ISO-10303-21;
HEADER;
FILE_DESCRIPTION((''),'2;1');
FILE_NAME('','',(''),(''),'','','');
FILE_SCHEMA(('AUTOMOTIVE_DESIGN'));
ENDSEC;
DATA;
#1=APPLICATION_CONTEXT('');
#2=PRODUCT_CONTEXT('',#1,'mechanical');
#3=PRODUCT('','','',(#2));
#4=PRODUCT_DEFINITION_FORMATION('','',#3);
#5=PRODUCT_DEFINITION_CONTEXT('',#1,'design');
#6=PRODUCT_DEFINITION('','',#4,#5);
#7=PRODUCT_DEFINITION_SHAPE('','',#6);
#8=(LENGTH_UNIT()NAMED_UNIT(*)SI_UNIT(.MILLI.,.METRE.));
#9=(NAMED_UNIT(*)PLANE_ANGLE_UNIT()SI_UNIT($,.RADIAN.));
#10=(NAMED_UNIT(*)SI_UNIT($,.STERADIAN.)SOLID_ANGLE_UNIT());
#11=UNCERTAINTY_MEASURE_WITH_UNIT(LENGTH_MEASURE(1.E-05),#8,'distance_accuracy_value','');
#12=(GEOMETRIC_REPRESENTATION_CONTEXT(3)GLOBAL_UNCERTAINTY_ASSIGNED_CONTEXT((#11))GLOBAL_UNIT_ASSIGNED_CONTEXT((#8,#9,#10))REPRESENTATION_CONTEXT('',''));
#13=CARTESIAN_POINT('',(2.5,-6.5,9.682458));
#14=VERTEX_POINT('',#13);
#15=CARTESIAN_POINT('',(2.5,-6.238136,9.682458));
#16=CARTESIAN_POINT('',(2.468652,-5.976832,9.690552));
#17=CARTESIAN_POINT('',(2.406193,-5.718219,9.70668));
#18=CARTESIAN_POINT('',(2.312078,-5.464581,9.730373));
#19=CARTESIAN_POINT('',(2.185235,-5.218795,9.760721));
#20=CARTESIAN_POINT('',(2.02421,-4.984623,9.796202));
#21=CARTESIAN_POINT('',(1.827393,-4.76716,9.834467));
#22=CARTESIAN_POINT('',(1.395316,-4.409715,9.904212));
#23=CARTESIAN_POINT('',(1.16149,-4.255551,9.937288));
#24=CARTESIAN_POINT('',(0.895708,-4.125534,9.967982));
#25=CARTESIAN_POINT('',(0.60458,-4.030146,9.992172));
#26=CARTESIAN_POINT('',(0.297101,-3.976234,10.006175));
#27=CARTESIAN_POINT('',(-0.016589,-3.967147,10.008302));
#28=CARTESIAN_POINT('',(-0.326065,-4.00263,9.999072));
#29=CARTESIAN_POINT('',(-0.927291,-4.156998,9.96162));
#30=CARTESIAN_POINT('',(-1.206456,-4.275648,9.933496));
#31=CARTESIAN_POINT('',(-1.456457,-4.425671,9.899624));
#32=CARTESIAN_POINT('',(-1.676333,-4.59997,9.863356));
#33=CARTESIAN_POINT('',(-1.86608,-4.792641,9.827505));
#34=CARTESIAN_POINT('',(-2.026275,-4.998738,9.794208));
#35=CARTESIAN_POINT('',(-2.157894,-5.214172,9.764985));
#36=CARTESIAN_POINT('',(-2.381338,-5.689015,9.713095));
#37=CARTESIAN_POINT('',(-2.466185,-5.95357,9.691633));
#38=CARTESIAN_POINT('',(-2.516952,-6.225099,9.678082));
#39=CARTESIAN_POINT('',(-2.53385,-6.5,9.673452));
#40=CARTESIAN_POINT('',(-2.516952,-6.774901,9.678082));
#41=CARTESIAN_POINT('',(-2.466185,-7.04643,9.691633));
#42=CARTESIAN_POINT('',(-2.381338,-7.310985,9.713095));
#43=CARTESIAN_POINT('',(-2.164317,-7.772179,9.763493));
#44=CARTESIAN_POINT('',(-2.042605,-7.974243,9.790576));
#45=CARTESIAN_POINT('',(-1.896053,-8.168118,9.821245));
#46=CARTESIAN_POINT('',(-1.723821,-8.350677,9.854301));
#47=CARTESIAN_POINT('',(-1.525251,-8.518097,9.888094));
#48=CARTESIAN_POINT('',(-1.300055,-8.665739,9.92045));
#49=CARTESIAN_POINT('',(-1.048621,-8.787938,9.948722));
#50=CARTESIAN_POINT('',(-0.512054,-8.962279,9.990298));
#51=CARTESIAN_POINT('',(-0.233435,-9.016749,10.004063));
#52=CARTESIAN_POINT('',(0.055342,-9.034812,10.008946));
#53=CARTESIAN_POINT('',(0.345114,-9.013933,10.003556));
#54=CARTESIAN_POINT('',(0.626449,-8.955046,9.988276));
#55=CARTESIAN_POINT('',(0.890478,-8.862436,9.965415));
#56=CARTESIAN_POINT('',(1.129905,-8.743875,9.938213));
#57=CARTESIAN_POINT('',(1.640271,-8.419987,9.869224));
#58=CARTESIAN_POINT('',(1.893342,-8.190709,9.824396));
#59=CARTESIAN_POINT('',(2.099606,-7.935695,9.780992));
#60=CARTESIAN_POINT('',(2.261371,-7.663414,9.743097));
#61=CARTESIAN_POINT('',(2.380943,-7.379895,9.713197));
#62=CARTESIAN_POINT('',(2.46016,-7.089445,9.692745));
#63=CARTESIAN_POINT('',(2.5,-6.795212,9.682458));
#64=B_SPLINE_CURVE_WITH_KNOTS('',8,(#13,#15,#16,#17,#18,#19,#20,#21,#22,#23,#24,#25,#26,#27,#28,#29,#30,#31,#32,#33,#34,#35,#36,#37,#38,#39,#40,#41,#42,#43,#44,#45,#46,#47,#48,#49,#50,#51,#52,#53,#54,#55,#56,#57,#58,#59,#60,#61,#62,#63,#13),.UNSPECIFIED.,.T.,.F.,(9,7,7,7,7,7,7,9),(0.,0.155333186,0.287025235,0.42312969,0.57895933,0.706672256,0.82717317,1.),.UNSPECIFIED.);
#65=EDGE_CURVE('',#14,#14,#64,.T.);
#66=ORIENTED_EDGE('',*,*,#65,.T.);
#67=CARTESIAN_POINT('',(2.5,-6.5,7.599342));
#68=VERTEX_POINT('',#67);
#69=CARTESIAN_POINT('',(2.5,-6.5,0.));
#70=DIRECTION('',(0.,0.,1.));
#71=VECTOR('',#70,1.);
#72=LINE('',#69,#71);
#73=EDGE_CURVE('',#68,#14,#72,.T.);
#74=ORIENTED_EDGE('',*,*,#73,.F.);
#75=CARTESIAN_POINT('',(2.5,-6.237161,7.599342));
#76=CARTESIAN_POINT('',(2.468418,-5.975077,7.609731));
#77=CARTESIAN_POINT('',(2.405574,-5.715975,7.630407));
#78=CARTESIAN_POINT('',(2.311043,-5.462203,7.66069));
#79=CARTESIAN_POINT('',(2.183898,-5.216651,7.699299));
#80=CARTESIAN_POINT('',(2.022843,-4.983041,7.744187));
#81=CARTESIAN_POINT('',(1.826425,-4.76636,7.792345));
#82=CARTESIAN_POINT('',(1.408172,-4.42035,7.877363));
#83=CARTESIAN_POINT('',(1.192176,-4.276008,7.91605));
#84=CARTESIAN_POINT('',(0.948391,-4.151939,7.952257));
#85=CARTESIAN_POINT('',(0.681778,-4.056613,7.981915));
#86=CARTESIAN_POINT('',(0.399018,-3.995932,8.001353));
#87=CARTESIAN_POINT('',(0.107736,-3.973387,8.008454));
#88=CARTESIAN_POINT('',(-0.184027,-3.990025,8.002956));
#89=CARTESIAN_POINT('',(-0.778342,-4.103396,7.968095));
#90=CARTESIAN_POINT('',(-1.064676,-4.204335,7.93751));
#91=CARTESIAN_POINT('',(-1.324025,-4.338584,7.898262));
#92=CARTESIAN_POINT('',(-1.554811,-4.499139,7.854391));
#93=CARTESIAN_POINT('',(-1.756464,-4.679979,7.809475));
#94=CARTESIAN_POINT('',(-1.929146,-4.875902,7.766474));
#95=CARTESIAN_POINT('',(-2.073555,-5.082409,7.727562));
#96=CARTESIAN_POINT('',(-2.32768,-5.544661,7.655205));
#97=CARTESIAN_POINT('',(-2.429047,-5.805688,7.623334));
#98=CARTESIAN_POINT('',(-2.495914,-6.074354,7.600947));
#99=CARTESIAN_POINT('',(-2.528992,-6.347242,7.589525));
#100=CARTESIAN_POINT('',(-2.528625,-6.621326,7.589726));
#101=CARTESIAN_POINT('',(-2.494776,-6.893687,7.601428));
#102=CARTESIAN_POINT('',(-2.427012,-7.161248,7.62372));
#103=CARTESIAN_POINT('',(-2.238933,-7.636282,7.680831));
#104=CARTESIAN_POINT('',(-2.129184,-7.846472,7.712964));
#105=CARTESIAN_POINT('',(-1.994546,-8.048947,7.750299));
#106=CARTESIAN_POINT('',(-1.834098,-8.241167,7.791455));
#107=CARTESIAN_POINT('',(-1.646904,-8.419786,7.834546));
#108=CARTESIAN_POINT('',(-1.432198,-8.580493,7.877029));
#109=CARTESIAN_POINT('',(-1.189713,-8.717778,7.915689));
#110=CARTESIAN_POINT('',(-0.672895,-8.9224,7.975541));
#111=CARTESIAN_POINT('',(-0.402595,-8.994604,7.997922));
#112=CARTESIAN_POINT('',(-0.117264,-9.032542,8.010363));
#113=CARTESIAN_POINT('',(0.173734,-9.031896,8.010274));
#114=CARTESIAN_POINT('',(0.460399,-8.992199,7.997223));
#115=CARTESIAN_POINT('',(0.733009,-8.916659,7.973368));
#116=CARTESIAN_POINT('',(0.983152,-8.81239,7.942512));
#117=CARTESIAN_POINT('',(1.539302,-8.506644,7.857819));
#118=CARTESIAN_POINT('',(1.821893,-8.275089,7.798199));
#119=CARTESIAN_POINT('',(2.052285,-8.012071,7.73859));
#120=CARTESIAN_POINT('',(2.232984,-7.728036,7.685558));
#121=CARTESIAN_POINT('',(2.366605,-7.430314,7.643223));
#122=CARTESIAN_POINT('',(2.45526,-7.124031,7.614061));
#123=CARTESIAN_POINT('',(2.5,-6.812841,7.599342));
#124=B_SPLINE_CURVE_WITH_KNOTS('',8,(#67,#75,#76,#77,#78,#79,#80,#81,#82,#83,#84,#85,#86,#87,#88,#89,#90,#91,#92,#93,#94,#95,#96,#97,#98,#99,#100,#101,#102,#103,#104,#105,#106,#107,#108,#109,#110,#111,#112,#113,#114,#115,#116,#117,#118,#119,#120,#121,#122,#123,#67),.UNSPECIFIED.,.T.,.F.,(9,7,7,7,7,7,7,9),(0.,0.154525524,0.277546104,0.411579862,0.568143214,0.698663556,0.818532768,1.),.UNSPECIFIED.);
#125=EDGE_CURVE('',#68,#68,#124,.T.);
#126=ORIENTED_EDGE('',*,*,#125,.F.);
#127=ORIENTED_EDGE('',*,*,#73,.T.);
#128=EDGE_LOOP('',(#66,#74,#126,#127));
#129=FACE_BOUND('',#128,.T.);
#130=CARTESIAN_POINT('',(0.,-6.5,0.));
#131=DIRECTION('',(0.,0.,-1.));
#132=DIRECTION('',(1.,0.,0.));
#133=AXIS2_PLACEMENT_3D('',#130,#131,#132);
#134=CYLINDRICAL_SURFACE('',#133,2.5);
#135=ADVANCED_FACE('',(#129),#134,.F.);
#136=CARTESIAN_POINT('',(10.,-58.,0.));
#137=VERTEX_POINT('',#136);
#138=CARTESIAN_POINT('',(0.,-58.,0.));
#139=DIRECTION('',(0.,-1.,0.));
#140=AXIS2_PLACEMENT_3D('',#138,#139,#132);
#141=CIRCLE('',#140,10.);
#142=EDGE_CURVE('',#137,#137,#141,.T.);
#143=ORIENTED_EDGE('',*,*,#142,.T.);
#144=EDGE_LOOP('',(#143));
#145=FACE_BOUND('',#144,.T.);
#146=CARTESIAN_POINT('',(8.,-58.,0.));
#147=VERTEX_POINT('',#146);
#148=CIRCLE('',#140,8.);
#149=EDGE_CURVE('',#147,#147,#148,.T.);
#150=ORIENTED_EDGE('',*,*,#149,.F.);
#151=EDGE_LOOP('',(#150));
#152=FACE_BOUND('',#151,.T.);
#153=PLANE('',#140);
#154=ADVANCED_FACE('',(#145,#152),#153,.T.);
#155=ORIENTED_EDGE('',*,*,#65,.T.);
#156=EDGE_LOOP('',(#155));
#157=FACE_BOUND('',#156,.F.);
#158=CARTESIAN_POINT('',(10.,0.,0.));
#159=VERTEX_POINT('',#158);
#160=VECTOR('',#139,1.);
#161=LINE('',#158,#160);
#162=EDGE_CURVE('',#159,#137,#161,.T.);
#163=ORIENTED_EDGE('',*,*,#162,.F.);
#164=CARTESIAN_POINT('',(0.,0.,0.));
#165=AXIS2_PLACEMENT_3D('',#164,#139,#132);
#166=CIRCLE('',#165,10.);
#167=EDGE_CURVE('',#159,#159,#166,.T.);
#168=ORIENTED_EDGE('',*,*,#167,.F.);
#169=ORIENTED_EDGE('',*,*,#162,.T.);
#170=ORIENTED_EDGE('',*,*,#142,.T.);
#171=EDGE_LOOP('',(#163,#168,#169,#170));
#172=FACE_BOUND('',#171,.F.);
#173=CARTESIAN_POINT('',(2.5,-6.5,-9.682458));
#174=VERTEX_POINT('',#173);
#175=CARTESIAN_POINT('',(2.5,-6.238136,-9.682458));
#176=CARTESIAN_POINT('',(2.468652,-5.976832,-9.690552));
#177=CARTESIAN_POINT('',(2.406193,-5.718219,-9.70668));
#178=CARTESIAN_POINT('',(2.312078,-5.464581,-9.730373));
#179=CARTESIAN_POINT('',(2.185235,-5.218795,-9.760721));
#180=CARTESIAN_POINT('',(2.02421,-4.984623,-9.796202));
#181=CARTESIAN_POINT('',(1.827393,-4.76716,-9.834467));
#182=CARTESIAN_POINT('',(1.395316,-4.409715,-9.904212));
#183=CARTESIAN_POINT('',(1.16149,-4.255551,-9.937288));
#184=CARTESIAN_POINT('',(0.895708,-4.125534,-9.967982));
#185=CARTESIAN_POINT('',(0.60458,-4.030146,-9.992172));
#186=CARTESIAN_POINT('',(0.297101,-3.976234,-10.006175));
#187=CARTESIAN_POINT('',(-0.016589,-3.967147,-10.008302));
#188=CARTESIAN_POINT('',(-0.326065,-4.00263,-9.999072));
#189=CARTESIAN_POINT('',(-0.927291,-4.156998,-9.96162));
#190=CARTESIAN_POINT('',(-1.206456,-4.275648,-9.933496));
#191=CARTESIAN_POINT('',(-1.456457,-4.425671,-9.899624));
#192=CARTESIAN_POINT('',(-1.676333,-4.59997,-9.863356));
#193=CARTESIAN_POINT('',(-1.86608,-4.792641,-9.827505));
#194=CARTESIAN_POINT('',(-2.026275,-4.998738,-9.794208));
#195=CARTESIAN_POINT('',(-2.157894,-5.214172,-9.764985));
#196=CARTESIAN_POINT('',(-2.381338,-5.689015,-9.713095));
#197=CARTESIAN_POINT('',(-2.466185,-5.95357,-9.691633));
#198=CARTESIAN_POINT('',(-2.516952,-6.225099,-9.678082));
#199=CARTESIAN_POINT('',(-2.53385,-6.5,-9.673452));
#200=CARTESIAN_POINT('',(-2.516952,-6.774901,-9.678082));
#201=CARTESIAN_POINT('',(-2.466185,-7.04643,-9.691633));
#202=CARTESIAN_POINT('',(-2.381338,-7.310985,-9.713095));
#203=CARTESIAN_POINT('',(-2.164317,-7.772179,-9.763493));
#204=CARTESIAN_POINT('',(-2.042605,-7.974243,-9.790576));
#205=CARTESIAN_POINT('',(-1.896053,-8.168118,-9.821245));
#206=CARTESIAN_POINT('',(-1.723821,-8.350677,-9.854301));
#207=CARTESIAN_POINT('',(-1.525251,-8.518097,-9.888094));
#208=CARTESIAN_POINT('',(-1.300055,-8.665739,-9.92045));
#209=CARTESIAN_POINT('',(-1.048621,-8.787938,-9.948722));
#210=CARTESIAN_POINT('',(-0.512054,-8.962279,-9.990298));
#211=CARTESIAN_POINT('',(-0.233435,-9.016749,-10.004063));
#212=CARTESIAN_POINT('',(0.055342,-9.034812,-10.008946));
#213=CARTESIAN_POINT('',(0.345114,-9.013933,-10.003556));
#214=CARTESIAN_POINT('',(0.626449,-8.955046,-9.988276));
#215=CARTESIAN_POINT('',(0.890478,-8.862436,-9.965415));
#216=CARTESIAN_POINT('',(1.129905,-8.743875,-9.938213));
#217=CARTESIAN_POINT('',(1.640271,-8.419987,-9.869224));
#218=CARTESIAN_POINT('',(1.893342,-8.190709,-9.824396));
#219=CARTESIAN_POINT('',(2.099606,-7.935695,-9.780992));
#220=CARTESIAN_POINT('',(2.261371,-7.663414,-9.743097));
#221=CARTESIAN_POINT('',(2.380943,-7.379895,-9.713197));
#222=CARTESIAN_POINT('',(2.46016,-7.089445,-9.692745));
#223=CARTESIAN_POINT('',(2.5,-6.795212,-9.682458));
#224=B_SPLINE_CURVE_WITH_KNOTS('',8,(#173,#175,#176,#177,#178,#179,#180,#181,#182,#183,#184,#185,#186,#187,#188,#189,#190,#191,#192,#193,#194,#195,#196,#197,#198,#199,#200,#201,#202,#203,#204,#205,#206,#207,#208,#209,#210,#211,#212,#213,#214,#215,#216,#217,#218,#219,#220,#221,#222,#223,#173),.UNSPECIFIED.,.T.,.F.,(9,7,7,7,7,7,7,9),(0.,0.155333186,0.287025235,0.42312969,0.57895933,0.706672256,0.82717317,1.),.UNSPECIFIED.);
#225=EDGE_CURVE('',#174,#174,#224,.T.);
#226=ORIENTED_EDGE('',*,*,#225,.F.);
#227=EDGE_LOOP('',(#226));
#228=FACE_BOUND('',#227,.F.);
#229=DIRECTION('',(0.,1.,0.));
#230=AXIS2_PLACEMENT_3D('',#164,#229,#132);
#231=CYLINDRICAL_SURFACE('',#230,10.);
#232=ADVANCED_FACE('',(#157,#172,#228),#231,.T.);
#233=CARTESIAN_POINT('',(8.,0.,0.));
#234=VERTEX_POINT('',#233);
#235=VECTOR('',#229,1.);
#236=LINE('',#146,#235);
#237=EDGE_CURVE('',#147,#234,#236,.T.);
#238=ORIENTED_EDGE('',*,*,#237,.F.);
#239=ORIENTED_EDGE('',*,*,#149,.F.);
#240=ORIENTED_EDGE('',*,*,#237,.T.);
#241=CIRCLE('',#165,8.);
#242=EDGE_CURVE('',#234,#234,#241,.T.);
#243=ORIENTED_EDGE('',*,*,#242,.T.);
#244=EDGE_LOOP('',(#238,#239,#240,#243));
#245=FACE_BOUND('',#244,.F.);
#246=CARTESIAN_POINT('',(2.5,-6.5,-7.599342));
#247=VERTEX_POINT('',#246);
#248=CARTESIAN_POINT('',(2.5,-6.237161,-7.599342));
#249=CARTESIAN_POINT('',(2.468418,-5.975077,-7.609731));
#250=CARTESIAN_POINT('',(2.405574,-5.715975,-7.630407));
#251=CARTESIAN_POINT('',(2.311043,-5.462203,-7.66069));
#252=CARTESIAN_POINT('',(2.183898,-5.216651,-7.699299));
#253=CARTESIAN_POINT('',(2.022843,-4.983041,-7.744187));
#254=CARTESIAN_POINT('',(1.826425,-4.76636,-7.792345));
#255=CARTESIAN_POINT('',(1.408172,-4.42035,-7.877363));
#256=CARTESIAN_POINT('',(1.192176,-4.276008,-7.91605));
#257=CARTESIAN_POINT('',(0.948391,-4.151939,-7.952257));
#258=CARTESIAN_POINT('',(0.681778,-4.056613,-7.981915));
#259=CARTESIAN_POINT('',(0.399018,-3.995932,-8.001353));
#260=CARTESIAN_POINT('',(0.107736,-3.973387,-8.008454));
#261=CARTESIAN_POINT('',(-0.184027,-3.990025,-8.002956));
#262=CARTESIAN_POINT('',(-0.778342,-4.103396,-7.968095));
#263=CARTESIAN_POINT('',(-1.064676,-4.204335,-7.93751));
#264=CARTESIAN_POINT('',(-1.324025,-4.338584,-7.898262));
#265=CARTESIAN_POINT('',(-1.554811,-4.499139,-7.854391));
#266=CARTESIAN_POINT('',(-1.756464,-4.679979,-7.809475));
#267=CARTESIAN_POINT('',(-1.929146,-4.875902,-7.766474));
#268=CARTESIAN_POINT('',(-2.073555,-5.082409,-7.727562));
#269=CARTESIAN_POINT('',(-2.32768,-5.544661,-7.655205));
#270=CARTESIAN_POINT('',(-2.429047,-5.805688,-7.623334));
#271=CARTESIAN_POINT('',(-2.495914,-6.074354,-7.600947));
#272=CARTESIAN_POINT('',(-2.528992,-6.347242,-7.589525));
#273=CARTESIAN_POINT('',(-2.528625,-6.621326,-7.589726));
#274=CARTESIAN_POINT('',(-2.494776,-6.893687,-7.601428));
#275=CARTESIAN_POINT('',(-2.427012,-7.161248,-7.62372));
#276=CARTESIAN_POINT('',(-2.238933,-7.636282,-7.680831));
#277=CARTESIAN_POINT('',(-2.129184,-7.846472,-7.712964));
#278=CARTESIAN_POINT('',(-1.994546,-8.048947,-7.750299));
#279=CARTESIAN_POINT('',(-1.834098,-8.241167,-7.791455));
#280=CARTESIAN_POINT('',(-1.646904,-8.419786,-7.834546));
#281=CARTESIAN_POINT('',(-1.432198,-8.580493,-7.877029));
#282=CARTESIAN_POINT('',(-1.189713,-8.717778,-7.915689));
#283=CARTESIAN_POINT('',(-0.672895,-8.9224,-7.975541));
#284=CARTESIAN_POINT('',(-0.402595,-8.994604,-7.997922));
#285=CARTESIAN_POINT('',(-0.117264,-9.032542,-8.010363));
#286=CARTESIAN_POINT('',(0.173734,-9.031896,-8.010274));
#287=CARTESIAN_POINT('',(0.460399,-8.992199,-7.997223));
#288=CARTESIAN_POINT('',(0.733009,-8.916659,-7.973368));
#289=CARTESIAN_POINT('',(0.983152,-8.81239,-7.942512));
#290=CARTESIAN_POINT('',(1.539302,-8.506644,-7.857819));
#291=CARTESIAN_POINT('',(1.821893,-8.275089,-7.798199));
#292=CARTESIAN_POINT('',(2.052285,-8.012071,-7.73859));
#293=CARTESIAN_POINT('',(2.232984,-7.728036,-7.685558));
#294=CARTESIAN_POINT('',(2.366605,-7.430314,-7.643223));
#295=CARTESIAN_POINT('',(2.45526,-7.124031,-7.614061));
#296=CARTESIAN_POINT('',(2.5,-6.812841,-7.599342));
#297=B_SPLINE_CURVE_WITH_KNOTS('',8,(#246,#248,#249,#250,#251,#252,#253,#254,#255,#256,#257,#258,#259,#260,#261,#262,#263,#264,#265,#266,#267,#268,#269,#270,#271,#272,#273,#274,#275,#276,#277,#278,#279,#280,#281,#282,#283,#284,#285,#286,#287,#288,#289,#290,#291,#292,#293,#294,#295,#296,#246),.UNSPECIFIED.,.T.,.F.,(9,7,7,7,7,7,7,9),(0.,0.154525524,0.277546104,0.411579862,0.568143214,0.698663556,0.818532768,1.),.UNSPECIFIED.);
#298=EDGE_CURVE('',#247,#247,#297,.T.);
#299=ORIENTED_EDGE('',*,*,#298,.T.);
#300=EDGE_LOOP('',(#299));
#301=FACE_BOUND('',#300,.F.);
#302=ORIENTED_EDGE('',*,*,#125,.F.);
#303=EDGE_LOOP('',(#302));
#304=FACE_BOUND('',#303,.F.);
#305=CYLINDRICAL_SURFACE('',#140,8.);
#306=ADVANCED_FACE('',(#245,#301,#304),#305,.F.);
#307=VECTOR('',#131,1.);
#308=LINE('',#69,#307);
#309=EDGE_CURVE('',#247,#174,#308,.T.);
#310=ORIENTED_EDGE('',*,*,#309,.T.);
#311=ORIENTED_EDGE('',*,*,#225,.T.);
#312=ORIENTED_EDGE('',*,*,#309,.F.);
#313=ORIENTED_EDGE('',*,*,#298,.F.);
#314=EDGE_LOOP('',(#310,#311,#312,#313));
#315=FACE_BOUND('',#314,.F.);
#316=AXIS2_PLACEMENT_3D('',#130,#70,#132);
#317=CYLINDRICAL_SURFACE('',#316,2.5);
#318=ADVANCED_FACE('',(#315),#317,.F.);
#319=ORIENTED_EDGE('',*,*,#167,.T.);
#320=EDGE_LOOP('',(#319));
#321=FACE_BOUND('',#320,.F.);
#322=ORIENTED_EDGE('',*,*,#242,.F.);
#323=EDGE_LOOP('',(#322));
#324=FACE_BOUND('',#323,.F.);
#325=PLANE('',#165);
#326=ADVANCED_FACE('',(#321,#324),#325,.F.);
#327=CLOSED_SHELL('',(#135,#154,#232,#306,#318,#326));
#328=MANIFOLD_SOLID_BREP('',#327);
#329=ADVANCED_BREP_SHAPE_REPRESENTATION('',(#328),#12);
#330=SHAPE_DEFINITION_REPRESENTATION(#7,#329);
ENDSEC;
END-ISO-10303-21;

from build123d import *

# Parameters (mm, degrees)
F0_R          = 10
F1_DEPTH      = 58
F2_R          = 8
F3_DEPTH      = 60
F4_R          = 2.5
F5_DEPTH      = 25
F5_DEPTH_BACK = 25


with BuildPart() as f1:
    # F0 (on Front) → F1 (new body)
    with BuildSketch(Plane.XZ):
        Circle(F0_R)
    extrude(amount=F1_DEPTH)

    # F2 (on face) → F3 (cut)
    with BuildSketch(Plane.XZ.offset(58)):
        Circle(F2_R)
    extrude(amount=-F3_DEPTH, mode=Mode.SUBTRACT)

    # F4 (on Top) → F5 (cut, two sides)
    with BuildSketch(Plane.XY) as f5_sk:
        with Locations((0, -6.5)):
            Circle(F4_R)
    extrude(amount=-F5_DEPTH, mode=Mode.SUBTRACT)
    extrude(f5_sk.sketch, amount=F5_DEPTH_BACK, mode=Mode.SUBTRACT)


solid = f1.part
